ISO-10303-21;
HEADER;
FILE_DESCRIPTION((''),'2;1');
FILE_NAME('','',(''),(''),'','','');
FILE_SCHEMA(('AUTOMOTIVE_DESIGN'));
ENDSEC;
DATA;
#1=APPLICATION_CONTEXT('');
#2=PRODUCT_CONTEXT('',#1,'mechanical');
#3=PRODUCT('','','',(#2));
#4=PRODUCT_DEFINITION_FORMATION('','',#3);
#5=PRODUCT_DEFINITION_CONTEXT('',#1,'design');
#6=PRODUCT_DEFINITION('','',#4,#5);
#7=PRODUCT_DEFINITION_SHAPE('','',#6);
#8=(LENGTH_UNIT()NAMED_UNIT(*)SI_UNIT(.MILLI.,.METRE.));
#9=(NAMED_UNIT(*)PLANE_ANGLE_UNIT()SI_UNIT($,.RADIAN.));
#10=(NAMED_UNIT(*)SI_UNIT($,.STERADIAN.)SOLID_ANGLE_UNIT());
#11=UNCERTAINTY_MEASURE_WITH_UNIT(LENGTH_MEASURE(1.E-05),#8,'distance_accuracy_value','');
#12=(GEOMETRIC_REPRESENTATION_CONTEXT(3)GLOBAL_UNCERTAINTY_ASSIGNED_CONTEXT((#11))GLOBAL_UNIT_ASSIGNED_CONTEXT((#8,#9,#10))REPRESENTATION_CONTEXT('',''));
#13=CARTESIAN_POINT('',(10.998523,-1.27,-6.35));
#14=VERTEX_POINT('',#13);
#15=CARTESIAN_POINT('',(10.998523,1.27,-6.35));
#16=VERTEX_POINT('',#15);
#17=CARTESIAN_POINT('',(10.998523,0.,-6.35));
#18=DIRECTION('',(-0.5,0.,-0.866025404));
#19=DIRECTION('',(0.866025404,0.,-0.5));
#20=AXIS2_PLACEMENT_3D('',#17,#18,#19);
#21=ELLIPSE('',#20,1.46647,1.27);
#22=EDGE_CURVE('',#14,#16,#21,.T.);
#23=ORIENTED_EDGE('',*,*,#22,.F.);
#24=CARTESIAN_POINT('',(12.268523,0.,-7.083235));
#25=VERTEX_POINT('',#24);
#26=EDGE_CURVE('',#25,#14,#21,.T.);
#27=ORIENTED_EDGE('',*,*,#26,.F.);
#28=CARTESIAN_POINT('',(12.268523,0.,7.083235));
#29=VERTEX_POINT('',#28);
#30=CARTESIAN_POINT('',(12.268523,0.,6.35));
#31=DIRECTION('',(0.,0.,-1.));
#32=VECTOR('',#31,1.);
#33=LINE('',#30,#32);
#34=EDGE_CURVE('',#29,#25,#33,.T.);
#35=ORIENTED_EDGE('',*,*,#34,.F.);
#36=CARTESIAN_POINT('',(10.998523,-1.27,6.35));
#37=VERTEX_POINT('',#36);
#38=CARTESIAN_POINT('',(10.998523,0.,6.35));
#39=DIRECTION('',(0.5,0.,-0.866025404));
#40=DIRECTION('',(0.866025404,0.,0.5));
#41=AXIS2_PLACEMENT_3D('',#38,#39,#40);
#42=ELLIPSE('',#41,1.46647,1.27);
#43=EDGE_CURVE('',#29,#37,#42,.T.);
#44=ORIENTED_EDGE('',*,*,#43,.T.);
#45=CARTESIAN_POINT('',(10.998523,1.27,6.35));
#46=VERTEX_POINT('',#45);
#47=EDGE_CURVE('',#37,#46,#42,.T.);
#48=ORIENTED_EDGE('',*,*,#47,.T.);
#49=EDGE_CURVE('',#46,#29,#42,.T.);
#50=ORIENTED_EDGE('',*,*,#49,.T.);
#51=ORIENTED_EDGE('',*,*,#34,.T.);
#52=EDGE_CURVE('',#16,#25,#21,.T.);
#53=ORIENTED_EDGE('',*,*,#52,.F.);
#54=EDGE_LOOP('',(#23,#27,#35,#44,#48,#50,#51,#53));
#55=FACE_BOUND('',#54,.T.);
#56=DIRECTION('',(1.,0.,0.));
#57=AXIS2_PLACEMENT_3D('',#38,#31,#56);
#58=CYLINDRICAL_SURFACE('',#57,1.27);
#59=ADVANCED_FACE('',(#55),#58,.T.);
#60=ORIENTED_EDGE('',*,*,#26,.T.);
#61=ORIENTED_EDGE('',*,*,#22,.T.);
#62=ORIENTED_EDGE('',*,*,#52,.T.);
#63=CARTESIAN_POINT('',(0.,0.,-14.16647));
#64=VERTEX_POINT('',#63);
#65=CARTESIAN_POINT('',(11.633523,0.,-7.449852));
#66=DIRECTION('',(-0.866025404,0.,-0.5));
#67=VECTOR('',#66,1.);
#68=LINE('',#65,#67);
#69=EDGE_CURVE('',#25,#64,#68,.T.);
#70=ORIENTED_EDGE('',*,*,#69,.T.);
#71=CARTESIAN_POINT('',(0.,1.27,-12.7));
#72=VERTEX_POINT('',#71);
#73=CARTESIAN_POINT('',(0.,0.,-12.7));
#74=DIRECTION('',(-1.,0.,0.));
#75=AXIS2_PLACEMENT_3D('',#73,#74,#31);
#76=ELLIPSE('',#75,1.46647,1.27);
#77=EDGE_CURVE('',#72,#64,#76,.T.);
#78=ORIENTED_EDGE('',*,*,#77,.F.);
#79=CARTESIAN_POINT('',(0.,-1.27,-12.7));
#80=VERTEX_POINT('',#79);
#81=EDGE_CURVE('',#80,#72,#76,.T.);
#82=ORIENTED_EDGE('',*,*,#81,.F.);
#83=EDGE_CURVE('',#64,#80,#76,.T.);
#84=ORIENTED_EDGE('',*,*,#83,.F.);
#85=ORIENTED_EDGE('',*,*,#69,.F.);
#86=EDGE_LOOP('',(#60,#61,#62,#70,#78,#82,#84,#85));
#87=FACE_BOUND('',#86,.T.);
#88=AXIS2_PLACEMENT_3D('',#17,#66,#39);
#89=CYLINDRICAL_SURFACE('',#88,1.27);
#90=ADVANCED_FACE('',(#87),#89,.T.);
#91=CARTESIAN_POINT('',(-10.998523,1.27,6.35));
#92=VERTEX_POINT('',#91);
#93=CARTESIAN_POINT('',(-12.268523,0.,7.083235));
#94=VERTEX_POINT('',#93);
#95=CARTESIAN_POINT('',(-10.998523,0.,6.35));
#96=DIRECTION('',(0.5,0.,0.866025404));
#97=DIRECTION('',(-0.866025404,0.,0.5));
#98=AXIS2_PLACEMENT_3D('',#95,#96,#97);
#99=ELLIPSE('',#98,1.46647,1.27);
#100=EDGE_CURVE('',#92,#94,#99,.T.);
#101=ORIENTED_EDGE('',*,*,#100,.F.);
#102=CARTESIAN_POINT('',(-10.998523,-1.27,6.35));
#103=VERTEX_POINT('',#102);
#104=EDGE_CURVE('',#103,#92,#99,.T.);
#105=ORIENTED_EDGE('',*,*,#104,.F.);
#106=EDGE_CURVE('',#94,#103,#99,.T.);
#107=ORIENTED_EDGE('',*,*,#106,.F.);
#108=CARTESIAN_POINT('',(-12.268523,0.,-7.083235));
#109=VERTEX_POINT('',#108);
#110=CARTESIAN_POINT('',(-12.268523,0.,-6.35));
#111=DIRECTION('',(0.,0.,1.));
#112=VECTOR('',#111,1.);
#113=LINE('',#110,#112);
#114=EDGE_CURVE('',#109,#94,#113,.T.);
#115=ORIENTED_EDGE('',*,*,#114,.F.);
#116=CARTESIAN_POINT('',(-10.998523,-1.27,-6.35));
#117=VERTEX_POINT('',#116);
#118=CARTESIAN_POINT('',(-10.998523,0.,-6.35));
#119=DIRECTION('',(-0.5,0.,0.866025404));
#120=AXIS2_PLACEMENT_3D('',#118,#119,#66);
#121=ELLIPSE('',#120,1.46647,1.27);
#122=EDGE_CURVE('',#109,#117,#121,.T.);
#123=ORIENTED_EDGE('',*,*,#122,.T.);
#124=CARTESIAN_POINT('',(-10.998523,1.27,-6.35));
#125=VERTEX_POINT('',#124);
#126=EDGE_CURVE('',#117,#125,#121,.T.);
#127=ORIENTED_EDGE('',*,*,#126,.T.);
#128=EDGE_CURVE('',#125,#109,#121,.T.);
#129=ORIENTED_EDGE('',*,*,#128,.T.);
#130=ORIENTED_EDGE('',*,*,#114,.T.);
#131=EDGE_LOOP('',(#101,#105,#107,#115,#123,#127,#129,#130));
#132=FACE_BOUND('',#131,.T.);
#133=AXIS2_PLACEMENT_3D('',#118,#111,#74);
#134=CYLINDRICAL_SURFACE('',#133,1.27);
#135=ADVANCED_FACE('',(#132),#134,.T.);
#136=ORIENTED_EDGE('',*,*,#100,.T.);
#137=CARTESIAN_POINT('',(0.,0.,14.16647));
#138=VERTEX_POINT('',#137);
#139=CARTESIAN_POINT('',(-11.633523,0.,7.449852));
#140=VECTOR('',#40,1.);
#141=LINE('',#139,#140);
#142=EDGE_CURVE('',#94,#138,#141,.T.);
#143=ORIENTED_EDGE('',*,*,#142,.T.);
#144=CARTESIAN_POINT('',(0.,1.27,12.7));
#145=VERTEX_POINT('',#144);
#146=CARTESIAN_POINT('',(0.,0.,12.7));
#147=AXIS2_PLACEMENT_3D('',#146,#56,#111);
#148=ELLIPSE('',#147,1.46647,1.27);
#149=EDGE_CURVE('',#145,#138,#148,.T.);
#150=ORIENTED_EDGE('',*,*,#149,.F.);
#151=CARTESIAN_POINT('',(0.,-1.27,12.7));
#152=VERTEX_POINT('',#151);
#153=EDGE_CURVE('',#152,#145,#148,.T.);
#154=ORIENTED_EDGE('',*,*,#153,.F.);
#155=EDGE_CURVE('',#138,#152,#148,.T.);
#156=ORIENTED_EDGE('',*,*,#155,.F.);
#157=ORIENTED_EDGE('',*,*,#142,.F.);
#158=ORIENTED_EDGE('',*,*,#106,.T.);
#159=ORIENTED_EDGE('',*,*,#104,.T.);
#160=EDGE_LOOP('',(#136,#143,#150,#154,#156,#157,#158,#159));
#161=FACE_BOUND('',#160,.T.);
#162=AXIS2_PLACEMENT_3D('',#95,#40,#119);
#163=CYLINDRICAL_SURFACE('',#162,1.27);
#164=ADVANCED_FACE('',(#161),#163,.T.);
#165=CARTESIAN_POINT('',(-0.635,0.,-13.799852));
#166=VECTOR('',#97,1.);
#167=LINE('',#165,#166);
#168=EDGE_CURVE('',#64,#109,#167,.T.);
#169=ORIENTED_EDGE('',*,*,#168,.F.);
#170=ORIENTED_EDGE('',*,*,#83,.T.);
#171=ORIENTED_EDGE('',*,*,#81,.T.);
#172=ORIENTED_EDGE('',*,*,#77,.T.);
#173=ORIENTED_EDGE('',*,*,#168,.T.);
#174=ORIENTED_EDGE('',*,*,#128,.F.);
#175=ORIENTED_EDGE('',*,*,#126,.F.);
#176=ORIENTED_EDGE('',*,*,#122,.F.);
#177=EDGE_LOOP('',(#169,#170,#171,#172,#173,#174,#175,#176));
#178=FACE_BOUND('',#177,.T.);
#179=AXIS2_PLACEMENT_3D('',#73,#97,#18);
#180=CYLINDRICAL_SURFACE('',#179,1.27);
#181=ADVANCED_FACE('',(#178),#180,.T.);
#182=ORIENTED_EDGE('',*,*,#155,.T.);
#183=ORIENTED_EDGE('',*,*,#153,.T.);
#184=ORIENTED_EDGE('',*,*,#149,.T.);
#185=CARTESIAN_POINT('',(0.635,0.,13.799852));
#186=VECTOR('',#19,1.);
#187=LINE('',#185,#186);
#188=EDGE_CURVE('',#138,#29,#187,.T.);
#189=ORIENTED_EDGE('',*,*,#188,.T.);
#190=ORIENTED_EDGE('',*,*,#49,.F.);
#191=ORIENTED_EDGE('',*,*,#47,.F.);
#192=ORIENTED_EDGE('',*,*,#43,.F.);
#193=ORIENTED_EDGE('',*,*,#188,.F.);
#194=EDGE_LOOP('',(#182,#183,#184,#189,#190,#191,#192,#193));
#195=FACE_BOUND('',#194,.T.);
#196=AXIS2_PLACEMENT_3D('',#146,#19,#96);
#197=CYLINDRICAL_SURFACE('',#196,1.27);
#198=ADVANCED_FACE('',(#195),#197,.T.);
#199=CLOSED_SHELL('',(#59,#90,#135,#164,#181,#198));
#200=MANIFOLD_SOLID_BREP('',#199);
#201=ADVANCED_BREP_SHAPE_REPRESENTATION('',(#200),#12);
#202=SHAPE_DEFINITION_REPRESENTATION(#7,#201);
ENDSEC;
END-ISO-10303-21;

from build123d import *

# Parameters (mm, degrees)
F1_R = 1.27


with BuildPart() as f2:
    # F2: sweep along a path in F0
    with BuildLine(Plane.XZ) as f2_path:
        Line((10.9985226281, 6.35), (10.9985226281, -6.35))
        Line((10.9985226281, -6.35), (0, -12.7))
        Line((0, -12.7), (-10.9985226281, -6.35))
        Line((-10.9985226281, -6.35), (-10.9985226281, 6.35))
        Line((-10.9985226281, 6.35), (0, 12.7))
        Line((0, 12.7), (10.9985226281, 6.35))
    # F1 (on Top) → F2 (sweep)
    with BuildSketch(Plane.XY):
        with Locations((10.9985226281, 0)):
            Circle(F1_R)
    sweep(path=f2_path.line, transition=Transition.RIGHT)


solid = f2.part
